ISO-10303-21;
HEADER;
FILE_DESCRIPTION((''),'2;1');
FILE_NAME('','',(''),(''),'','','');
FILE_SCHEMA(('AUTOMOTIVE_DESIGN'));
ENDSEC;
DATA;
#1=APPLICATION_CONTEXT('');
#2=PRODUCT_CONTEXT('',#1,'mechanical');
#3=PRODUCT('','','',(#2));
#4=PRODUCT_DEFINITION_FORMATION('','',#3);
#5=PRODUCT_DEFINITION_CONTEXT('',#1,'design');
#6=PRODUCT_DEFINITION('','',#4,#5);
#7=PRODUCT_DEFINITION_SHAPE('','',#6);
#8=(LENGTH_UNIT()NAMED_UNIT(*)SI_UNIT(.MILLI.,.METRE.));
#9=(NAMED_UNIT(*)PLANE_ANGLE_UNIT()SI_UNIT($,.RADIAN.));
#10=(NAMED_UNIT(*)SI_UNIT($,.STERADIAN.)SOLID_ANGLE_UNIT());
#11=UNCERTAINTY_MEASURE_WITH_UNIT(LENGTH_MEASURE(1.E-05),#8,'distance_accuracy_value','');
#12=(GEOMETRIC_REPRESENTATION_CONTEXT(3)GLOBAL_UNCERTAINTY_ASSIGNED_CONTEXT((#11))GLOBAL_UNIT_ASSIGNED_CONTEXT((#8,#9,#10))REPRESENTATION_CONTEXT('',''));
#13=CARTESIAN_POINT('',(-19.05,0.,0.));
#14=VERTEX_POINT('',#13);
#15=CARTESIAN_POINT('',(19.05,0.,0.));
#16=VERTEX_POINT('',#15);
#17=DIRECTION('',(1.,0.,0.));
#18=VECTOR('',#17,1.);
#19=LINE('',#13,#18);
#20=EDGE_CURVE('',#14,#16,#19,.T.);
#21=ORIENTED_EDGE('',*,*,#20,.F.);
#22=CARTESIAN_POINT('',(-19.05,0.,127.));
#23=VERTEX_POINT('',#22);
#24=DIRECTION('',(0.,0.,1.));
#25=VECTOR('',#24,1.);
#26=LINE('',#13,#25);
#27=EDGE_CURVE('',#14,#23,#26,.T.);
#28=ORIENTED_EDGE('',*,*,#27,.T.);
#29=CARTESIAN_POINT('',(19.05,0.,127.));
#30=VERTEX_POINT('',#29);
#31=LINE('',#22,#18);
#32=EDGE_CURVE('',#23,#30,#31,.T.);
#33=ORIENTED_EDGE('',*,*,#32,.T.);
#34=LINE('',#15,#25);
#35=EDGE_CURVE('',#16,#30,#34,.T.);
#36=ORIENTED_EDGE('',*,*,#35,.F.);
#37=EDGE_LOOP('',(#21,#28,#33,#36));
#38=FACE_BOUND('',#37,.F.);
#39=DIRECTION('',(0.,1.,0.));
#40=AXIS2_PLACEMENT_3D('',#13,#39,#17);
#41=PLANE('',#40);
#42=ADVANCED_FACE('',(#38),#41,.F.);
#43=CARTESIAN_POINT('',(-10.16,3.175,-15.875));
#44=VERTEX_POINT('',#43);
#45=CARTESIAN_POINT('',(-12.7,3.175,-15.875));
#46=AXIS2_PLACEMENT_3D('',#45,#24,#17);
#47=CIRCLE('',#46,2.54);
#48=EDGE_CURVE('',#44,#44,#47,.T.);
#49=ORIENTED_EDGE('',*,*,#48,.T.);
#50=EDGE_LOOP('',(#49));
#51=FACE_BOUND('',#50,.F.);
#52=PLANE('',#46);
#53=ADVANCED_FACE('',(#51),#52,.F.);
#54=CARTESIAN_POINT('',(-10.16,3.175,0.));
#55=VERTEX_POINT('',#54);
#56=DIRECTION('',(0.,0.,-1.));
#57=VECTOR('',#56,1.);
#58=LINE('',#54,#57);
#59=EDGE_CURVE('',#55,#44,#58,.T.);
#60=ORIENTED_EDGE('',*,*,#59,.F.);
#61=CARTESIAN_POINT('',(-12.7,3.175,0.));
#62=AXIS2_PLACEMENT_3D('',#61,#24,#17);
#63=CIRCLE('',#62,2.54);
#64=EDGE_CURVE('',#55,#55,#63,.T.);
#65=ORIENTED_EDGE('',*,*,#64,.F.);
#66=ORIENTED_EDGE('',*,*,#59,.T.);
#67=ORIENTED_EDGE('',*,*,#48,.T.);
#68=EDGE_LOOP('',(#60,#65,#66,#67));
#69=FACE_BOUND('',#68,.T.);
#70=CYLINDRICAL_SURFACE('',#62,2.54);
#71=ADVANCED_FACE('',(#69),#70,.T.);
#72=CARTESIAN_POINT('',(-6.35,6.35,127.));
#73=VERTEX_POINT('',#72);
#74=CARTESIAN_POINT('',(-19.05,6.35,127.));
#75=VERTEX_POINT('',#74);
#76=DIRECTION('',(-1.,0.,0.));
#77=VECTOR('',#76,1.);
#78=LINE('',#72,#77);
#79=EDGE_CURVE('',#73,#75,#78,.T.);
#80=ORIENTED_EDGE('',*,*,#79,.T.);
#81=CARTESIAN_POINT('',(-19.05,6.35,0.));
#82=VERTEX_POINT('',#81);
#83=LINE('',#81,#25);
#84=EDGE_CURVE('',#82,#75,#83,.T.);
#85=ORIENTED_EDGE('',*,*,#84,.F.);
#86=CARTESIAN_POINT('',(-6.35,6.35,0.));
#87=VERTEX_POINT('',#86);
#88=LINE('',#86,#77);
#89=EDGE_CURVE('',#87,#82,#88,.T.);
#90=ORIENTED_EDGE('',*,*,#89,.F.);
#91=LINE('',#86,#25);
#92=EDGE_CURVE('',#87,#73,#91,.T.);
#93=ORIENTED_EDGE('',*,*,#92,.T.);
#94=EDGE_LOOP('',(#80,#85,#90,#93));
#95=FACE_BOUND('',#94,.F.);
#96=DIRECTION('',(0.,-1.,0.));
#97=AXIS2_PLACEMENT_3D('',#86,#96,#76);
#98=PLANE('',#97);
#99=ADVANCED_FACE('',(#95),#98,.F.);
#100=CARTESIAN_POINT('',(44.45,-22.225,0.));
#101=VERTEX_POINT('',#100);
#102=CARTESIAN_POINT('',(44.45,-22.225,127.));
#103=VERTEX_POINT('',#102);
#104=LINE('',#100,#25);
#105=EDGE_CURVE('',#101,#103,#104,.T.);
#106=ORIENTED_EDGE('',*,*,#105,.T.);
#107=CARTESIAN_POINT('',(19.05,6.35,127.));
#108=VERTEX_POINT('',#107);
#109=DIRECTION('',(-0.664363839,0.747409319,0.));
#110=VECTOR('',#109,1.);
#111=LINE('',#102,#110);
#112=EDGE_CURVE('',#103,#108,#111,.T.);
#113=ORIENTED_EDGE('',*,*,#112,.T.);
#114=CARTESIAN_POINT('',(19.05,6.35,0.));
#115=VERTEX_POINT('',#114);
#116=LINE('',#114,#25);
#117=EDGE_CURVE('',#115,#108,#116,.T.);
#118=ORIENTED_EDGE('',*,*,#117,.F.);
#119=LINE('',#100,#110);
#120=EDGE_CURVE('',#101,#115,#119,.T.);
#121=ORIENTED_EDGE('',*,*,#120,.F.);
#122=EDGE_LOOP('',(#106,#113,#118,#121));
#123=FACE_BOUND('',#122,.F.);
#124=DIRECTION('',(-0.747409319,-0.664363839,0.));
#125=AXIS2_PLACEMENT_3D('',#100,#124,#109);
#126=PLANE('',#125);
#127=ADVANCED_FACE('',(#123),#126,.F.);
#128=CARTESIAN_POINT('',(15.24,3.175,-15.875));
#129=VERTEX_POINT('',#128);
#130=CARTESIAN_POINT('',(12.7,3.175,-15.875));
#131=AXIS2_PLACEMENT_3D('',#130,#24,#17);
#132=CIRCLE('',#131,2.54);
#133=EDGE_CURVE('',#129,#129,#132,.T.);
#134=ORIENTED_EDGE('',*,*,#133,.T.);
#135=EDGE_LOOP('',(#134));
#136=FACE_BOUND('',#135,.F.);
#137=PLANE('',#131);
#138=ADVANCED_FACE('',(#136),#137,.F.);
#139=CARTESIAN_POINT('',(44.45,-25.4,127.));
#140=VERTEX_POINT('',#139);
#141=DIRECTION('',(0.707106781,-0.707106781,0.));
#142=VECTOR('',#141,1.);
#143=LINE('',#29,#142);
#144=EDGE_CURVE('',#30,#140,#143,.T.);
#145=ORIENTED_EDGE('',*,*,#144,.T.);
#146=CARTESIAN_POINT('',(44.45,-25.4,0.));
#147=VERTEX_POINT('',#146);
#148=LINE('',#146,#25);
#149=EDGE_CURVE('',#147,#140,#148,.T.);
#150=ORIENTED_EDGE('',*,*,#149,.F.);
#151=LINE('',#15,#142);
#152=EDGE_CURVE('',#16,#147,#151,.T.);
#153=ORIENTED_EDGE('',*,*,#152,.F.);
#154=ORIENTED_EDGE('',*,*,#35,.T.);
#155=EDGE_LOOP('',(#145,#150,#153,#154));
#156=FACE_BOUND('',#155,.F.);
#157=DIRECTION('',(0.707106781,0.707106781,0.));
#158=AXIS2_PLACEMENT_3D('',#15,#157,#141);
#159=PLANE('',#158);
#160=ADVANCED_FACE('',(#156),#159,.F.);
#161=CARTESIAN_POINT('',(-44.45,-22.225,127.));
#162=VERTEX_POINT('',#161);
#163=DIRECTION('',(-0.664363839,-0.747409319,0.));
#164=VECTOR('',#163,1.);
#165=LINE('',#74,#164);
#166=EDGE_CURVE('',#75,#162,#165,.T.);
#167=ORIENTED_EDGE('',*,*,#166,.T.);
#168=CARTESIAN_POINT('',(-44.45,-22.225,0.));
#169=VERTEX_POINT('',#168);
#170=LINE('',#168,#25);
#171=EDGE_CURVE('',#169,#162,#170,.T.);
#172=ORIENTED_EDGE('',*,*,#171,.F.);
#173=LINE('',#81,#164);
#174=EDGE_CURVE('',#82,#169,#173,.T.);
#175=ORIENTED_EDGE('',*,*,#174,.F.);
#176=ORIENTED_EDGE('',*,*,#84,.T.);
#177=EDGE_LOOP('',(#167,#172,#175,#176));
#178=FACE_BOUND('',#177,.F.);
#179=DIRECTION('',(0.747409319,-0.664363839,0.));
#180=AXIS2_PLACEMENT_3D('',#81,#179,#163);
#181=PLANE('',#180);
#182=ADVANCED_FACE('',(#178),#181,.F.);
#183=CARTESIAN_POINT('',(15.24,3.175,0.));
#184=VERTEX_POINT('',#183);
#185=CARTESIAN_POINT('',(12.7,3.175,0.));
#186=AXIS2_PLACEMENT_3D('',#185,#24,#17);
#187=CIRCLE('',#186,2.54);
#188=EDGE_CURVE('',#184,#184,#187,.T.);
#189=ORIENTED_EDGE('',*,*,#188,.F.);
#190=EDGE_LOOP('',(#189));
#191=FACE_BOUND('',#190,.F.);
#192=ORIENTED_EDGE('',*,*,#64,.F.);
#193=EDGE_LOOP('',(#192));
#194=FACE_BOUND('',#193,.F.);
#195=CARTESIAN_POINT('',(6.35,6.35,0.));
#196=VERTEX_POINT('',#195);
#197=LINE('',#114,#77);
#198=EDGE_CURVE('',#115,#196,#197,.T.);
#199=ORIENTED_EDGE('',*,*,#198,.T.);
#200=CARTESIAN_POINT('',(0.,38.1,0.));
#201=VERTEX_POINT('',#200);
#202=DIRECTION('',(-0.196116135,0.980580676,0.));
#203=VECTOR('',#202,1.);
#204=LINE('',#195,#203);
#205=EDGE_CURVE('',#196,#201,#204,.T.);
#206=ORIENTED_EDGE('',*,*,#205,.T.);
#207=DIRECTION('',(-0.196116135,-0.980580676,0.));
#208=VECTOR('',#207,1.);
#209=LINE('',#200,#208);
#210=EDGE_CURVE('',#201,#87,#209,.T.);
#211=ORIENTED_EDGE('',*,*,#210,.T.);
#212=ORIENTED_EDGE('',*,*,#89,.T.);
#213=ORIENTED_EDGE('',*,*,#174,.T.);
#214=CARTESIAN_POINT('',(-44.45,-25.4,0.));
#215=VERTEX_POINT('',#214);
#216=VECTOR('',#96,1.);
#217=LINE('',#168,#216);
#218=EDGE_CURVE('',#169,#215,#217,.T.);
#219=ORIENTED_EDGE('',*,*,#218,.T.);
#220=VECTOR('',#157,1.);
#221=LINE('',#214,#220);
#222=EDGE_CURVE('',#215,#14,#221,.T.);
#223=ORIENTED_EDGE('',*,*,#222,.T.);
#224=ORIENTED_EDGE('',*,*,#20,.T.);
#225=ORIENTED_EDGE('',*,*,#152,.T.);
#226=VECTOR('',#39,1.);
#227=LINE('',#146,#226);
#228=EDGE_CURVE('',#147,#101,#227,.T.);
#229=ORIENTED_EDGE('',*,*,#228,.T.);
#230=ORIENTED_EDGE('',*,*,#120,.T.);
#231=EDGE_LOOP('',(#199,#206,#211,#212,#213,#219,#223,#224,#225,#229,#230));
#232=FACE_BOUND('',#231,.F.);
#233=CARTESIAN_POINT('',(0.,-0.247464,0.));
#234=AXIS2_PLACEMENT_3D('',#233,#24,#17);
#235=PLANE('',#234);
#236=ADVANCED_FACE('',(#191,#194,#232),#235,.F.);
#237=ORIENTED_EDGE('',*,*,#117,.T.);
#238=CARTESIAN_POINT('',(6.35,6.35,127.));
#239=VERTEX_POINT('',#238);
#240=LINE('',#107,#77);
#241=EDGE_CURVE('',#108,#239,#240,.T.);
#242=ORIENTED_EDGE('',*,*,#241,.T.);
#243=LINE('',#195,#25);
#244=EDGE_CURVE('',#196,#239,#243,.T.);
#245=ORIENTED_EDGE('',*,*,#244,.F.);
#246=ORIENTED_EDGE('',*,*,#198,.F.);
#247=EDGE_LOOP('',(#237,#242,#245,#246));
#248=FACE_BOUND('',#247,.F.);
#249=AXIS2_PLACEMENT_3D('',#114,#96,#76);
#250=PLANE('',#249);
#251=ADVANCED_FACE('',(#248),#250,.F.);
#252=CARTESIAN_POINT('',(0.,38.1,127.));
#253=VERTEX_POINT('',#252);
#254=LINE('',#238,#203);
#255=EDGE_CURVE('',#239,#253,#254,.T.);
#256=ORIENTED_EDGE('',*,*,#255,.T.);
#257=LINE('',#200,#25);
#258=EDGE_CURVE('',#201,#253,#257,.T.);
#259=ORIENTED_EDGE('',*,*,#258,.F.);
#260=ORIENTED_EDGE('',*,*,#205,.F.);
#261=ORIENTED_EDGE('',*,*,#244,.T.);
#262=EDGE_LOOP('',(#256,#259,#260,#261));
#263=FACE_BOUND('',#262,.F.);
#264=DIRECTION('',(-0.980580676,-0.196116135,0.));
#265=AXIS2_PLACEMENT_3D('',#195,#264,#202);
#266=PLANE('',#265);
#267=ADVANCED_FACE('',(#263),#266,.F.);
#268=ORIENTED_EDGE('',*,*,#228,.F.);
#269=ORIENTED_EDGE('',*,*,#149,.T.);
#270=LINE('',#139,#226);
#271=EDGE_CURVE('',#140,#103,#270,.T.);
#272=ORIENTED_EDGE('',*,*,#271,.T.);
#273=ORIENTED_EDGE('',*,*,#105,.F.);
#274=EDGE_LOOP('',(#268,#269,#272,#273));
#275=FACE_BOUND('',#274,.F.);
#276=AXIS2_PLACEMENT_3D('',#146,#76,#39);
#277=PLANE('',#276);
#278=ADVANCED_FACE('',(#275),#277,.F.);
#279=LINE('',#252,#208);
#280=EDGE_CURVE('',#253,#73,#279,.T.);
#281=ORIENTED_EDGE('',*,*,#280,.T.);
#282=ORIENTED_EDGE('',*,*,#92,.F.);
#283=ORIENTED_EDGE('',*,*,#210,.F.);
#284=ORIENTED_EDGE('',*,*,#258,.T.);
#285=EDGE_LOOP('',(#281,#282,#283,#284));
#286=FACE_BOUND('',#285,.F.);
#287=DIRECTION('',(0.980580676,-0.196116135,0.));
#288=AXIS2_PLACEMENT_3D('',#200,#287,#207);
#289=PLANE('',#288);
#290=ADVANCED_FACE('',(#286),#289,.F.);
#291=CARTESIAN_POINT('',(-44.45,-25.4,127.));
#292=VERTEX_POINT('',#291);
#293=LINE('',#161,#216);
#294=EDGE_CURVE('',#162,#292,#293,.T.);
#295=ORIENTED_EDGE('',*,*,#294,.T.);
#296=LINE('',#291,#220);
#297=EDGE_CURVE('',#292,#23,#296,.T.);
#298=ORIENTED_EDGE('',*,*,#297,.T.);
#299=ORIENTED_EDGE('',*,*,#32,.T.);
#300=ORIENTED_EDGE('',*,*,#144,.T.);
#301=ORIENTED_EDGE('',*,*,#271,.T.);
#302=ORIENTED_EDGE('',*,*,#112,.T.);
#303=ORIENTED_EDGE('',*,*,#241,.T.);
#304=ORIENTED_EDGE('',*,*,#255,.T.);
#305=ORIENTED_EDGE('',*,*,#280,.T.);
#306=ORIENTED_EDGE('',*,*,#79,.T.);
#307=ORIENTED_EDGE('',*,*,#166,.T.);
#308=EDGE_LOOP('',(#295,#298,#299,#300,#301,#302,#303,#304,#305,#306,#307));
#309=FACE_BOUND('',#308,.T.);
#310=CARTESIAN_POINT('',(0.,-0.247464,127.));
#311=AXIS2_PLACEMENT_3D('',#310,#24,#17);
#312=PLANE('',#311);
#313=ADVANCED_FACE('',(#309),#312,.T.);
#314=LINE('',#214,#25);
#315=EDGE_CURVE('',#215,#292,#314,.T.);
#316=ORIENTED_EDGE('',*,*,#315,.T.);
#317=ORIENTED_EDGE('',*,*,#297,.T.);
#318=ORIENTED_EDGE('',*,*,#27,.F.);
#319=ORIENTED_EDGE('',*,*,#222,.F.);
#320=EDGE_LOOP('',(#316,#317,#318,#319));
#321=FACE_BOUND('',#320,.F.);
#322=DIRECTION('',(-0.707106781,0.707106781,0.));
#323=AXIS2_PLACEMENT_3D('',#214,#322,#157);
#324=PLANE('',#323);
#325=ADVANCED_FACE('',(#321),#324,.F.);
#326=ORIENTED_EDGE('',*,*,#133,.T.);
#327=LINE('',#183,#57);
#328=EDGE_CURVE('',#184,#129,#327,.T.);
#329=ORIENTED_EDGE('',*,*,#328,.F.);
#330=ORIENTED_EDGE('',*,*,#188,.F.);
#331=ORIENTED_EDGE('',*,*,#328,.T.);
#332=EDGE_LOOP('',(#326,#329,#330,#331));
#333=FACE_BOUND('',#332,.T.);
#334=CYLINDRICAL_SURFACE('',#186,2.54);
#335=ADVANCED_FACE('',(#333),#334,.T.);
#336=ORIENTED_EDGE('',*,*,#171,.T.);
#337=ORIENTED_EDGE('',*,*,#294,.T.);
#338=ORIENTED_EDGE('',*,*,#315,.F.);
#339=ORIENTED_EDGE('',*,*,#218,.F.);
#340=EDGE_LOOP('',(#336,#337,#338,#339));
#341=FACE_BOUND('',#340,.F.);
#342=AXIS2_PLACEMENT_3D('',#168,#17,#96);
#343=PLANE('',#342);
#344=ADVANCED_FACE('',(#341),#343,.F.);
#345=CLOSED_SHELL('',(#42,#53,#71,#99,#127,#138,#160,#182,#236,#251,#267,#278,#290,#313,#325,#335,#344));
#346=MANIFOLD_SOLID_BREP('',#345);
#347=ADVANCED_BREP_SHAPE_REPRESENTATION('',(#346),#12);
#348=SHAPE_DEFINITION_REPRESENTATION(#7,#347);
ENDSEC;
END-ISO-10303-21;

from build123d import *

# Parameters (mm, degrees)
F0_R     = 2.54
F1_DEPTH = 127
F2_DEPTH = 15.875


with BuildPart() as f1:
    # F0 (on Top) → F1 (new body)
    with BuildSketch(Plane.XY):
        Polygon((-19.05, 0), (0, 0), (19.05, 0), (44.45, -25.4), (44.45, -22.225), (19.05, 6.35), (6.35, 6.35), (0, 38.1), (-6.35, 6.35), (-19.05, 6.35), (-44.45, -22.225), (-44.45, -25.4), align=None)
        with Locations((-12.7, 3.175)):
            Circle(F0_R, mode=Mode.SUBTRACT)
        with Locations((12.7, 3.175)):
            Circle(F0_R, mode=Mode.SUBTRACT)
        with Locations((-12.7, 3.175)):
            Circle(F0_R)
        with Locations((12.7, 3.175)):
            Circle(F0_R)
    extrude(amount=F1_DEPTH)

    # F0 (on Top) → F2 (join)
    with BuildSketch(Plane.XY):
        with Locations((-12.7, 3.175)):
            Circle(F0_R)
        with Locations((12.7, 3.175)):
            Circle(F0_R)
    extrude(amount=-F2_DEPTH)


solid = f1.part
